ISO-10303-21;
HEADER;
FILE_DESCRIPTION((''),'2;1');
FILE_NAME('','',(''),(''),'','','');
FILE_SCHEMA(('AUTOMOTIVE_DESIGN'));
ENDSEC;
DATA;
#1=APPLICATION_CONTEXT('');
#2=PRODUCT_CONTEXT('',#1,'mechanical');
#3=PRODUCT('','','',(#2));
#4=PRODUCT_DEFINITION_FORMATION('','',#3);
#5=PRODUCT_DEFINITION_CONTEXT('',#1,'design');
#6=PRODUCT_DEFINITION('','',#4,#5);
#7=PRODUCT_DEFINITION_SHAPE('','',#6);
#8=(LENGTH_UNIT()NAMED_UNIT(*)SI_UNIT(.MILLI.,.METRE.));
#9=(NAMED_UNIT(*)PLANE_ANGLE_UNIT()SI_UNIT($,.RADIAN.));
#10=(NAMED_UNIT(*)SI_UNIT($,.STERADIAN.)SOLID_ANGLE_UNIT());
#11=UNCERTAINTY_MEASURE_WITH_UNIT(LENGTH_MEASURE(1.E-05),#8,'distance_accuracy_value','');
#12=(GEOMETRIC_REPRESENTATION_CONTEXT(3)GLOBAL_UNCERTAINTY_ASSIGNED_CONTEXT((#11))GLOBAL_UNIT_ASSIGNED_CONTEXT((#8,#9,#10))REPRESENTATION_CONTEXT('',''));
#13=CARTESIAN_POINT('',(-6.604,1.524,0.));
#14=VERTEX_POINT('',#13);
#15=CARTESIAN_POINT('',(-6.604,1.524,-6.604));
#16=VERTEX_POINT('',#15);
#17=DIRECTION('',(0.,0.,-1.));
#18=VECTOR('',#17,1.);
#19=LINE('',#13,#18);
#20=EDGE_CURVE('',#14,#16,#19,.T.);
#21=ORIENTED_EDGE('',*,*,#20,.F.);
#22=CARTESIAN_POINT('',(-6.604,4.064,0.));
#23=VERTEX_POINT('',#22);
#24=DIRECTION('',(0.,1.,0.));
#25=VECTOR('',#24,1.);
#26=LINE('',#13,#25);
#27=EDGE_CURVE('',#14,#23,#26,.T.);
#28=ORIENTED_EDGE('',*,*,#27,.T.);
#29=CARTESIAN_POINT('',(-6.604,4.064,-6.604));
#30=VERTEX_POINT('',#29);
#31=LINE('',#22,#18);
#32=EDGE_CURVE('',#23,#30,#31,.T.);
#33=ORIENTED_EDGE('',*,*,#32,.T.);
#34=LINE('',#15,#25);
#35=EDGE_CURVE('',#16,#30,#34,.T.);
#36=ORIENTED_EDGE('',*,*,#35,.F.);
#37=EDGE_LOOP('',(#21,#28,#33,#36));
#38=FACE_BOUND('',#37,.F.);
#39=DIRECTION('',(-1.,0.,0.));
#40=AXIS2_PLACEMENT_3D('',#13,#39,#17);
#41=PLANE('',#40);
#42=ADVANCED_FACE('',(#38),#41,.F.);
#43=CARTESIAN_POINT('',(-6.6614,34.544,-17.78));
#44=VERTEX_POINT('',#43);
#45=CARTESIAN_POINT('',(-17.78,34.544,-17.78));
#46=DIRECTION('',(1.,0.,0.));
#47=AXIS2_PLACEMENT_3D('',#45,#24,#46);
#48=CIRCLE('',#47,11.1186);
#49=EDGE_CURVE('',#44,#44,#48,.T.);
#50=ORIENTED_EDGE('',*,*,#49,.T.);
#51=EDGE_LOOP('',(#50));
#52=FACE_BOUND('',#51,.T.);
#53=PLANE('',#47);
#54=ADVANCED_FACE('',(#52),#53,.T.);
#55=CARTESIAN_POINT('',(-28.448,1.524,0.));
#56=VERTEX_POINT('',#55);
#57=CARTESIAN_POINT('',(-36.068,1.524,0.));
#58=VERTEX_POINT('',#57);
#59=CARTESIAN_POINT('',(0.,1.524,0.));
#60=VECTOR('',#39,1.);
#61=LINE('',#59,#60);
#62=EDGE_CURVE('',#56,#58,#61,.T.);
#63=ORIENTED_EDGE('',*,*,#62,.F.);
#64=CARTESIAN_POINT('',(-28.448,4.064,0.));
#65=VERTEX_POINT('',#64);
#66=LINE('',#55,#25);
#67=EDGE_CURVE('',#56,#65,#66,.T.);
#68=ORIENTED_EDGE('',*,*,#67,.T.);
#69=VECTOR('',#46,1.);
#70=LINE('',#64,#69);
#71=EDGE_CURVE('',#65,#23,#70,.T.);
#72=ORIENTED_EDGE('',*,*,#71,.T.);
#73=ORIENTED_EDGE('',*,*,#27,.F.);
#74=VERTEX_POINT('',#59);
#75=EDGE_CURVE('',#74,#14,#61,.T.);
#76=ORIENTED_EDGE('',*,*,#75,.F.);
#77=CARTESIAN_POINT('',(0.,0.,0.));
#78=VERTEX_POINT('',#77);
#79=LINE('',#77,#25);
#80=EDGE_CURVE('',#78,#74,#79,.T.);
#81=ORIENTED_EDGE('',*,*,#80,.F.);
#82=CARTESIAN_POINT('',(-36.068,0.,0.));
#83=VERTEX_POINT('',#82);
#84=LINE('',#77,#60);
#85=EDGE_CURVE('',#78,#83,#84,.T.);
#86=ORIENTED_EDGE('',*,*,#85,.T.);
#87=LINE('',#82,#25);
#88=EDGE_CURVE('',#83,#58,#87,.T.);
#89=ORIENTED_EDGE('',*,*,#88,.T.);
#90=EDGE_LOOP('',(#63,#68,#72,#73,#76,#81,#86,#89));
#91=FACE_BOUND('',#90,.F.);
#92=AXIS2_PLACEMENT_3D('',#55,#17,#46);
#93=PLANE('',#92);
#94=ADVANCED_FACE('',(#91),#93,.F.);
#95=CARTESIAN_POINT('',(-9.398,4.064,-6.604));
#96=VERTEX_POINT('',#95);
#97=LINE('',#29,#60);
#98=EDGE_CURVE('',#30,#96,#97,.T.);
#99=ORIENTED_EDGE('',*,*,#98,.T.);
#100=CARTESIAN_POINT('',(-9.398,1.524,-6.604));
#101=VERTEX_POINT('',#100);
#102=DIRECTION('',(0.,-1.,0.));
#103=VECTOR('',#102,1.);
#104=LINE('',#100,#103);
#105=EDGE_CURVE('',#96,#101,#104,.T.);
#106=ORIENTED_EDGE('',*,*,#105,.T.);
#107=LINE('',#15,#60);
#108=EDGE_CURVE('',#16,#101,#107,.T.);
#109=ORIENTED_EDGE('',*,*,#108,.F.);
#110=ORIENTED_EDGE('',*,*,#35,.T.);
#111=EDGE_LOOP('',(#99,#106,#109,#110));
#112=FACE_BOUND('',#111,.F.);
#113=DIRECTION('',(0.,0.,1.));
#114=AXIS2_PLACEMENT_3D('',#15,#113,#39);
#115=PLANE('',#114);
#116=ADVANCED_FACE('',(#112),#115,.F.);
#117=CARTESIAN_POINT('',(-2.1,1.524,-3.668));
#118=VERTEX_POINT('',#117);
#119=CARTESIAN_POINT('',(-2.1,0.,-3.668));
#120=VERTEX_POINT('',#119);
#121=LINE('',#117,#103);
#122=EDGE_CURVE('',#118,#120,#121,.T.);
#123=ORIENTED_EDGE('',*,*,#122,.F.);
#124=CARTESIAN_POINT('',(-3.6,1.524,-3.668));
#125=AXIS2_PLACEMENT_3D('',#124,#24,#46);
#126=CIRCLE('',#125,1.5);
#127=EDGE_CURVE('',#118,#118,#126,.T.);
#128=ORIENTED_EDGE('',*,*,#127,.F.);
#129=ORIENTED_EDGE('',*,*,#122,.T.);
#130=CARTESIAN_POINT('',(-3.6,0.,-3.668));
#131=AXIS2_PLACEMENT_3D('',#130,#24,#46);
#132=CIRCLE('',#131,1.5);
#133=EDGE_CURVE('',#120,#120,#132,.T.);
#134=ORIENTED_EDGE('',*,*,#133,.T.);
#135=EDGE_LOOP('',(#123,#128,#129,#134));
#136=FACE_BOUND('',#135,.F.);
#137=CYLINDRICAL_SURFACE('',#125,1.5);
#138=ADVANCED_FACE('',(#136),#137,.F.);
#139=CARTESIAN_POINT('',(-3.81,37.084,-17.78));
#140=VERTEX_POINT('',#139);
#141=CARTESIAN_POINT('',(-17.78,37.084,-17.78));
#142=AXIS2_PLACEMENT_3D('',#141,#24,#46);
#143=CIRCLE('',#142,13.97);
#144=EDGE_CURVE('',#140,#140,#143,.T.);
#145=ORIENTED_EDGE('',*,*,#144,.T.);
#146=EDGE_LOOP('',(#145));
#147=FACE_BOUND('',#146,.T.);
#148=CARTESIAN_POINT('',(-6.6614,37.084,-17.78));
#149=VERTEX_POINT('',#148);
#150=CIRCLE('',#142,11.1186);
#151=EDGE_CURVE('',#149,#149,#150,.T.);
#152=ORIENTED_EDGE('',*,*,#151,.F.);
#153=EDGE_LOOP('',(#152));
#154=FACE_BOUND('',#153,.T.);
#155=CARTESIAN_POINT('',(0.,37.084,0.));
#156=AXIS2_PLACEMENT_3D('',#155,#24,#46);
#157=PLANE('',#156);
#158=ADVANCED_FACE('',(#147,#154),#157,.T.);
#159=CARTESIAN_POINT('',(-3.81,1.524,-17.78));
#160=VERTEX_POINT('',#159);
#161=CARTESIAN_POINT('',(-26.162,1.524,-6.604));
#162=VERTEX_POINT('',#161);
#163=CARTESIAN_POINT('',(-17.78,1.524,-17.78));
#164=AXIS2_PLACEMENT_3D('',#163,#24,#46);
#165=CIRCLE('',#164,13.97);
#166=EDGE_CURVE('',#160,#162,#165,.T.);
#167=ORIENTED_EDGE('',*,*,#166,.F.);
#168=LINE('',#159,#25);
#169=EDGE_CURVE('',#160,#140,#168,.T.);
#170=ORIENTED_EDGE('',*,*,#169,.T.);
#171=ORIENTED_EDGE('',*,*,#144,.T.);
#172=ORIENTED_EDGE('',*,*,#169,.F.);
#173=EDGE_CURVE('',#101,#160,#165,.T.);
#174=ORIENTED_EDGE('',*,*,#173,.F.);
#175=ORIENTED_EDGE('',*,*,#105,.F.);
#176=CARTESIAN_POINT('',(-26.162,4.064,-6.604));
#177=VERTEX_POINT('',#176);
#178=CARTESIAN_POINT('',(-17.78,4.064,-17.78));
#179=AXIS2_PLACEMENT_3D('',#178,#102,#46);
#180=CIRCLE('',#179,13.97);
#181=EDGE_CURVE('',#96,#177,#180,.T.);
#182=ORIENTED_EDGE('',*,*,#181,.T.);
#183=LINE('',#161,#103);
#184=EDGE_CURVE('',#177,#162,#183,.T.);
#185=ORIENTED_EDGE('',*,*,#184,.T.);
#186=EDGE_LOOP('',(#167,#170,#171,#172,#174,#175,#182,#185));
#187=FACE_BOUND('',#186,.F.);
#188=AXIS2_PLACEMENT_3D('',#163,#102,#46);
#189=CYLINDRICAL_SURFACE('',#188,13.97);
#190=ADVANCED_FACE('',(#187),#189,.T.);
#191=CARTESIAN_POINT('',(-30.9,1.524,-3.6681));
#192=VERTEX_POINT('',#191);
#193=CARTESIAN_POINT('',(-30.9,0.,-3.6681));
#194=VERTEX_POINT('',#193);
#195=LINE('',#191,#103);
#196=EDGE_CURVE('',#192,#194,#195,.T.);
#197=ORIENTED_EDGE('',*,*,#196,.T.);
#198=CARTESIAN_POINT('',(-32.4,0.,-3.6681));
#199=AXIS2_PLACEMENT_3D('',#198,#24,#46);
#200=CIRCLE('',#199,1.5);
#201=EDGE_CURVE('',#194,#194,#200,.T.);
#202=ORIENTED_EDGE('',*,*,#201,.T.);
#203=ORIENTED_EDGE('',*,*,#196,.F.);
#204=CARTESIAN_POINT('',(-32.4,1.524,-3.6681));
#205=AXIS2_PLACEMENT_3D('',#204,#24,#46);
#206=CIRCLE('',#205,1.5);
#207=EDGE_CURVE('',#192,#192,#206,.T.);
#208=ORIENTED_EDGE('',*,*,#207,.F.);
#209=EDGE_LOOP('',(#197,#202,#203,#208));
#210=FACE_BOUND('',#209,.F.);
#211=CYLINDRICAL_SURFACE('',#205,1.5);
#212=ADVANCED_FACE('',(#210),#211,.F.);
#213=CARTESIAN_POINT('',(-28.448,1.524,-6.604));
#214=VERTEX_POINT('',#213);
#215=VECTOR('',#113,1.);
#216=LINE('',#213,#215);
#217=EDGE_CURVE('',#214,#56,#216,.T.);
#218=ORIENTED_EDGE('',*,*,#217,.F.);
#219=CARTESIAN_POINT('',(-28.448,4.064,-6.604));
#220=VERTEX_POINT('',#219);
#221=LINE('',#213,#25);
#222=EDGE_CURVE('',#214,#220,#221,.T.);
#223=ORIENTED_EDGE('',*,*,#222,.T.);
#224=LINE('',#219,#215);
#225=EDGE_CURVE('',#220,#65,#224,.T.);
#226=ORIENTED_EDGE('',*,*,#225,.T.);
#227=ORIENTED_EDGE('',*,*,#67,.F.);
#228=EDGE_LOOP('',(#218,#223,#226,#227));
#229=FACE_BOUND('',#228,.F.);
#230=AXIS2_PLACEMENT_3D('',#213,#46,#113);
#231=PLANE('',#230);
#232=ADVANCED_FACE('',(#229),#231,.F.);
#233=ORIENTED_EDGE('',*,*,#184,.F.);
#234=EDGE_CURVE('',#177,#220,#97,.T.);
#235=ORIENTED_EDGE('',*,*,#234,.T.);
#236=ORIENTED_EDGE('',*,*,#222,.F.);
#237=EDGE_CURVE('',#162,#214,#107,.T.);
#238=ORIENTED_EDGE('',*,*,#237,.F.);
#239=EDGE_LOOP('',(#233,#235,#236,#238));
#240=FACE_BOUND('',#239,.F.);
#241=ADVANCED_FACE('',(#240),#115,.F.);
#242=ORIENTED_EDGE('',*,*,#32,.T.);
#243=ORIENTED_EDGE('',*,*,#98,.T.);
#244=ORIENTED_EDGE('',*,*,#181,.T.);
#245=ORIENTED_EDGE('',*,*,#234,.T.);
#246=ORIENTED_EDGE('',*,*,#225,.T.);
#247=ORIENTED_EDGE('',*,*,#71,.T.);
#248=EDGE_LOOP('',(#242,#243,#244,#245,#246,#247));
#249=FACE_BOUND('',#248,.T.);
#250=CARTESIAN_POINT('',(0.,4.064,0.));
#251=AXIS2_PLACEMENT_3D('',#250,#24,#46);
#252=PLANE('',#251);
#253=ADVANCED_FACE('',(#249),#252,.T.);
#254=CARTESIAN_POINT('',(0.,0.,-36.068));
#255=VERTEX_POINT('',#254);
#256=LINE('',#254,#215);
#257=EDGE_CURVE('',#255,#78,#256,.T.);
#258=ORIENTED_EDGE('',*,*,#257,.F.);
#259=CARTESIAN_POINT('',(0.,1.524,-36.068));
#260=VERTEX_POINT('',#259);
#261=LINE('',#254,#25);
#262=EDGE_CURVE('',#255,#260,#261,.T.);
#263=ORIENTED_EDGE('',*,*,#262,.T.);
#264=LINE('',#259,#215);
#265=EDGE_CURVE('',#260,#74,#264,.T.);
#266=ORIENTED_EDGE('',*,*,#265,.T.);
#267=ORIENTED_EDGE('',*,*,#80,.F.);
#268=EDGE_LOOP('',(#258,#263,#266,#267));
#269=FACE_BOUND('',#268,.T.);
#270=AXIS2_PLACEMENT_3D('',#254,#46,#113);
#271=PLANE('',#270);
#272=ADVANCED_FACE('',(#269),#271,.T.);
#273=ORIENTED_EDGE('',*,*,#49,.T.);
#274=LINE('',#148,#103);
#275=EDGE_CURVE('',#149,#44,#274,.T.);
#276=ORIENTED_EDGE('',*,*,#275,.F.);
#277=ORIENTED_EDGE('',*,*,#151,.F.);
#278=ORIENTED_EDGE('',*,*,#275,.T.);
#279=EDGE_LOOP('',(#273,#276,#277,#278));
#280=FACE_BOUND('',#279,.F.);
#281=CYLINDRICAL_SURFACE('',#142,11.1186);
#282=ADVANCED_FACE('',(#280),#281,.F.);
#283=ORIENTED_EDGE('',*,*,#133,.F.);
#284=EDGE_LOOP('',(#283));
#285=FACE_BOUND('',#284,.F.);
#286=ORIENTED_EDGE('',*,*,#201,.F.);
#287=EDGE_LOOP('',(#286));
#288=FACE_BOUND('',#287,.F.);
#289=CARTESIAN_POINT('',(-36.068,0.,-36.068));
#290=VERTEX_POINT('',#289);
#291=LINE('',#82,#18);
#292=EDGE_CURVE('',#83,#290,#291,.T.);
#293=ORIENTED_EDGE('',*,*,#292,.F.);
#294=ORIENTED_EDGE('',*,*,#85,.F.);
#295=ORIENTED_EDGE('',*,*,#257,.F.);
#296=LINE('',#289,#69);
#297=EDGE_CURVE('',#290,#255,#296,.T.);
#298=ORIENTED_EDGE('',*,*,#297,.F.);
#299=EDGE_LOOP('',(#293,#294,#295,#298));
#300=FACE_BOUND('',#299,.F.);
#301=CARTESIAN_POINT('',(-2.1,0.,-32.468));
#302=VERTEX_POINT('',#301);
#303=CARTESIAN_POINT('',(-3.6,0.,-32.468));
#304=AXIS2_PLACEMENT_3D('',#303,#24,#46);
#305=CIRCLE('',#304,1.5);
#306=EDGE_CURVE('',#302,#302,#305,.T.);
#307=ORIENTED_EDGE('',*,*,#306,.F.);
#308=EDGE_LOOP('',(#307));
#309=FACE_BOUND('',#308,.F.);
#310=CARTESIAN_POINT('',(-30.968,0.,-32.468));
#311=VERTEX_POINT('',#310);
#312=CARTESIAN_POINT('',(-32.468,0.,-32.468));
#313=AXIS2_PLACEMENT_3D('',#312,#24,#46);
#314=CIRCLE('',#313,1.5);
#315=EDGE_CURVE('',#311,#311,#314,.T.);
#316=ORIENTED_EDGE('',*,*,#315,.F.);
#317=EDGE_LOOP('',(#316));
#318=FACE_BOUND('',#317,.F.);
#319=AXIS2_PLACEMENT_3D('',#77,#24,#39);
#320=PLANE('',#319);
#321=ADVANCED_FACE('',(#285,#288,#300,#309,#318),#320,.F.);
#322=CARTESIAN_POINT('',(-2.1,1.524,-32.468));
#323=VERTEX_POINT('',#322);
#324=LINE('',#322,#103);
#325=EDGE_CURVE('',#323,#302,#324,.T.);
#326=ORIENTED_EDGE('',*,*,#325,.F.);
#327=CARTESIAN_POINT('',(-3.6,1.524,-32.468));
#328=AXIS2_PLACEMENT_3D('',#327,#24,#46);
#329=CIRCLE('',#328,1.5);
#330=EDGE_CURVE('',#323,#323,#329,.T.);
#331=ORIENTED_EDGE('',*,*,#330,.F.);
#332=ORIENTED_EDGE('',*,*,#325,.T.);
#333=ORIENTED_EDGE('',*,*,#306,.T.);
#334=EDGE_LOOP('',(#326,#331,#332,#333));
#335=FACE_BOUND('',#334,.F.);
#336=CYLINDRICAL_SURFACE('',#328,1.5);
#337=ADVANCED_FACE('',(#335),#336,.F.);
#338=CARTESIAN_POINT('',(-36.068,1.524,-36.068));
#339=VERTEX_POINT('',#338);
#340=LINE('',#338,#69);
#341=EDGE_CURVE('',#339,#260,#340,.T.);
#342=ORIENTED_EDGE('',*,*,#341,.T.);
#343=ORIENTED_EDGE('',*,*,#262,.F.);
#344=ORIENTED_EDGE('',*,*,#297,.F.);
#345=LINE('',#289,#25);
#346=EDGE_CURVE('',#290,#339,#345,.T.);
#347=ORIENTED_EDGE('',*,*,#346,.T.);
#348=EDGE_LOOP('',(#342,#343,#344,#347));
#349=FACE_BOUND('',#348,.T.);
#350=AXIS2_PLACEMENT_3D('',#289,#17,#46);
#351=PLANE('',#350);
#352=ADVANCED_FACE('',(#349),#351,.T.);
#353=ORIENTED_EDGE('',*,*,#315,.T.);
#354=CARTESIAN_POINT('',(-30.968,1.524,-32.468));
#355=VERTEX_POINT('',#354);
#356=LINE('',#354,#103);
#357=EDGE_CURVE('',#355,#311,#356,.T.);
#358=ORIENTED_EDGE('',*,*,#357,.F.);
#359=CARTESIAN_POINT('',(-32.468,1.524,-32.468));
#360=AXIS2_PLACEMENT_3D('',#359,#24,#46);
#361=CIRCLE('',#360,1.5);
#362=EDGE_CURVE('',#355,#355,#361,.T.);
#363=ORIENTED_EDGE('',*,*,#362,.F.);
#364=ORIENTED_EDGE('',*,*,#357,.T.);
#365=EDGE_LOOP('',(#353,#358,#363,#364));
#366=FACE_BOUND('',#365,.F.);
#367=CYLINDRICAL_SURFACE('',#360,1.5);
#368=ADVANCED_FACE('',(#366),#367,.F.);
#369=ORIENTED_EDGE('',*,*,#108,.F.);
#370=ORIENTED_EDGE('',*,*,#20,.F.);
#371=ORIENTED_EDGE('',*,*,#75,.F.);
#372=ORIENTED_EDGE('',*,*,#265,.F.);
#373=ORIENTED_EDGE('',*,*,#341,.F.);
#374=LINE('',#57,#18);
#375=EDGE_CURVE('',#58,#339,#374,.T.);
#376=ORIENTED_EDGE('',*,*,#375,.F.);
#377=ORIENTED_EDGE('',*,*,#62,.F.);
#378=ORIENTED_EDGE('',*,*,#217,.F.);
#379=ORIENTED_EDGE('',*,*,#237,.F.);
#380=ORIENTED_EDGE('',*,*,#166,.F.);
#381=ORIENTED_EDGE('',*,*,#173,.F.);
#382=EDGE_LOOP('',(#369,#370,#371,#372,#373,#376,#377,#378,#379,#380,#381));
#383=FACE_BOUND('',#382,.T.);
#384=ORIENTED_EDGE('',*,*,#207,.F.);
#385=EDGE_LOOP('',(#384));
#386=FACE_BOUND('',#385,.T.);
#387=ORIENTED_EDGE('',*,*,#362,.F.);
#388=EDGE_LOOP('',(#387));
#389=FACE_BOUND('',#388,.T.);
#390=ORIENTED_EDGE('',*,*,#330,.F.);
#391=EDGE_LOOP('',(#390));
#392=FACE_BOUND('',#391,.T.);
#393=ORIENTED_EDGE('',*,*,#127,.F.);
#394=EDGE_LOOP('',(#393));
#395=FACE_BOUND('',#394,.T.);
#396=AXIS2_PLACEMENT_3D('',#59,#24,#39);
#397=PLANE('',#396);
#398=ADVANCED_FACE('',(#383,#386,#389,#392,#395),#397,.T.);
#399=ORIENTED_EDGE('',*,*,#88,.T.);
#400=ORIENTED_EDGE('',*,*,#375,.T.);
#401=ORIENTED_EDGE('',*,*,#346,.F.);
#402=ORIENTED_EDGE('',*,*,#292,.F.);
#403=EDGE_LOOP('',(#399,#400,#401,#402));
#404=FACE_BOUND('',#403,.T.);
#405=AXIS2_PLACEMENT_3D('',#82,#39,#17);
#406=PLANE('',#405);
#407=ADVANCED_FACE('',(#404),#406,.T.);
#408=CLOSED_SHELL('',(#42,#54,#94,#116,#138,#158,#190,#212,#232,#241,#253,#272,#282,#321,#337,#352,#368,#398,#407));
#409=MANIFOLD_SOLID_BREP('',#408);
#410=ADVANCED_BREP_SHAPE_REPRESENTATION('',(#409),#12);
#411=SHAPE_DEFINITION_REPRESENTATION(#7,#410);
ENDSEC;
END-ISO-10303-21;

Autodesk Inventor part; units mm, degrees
ref_plane "YZ Plane" through (0, 0, 0) normal (1, 0, 0) x (0, 1, 0)
ref_plane "XZ Plane" through (0, 0, 0) normal (0, 1, 0) x (-1, 0, 0)
ref_plane "XY Plane" through (0, 0, 0) normal (0, 0, 1) x (1, 0, 0)
sketch "Sketch1" plane through (0, 0, 0) normal (0, 1, 0) x (-1, 0, 0)
  line L0 (0, 0) -> (36.068, 0)
  line L1 (36.068, 0) -> (36.068, -36.068)
  line L2 (36.068, -36.068) -> (0, -36.068)
  line L3 (0, -36.068) -> (0, 0)
  dimension "d0" = 36.068
  dimension "d1" = 36.068
extrude "Extrusion1" add sketch "Sketch1" along normal blind 1.524
sketch "Sketch2" plane through (0, 1.524, 0) normal (0, 1, 0) x (1, 0, 0)
  circle A0 centre (-17.78, 17.78) radius 13.97
  line L0 (0, 0) -> (0, 36.068) projected
  line L1 (-36.068, 0) -> (0, 0) projected
  dimension "d4" = 27.94
  dimension "d5" = 17.78
  dimension "d6" = 17.78
extrude "Extrusion2" add sketch "Sketch2" along normal blind 35.56
sketch "Sketch4" plane through (0, 1.524, 0) normal (0, 1, 0) x (1, 0, 0)
  line L0 (-28.448, 0) -> (-6.604, 0)
  line L1 (-6.604, 0) -> (-6.604, 6.604)
  line L2 (-6.604, 6.604) -> (-28.448, 6.604)
  line L3 (-28.448, 6.604) -> (-28.448, 0)
  line L4 (-36.068, 36.068) -> (-36.068, 0) projected
  point P0 (0, 0)
  dimension "d9" = 21.844
  dimension "d10" = 6.604
  dimension "d11" = 7.62
extrude "Extrusion3" add sketch "Sketch4" along normal blind 2.54
sketch "Sketch5" plane through (-17.78, 37.084, -17.78) normal (0, 1, 0) x (1, 0, 0)
  circle A0 centre (0, 0) radius 11.1186
  point P0 (17.78, -17.78)
extrude "Extrusion4" cut sketch "Sketch5" against normal blind 2.54
sketch "Sketch6" plane through (0, 1.524, 0) normal (0, 1, 0) x (1, 0, 0)
  circle A0 centre (-32.4, 3.6681) radius 1.5
  circle A1 centre (-32.468, 32.468) radius 1.5
  circle A2 centre (-3.6, 3.668) radius 1.5
  circle A3 centre (-3.6, 32.468) radius 1.5
  line L0 (0, 36.068) -> (-36.068, 36.068) projected
  line L1 (0, 0) -> (0, 36.068) projected
  line L2 (-36.068, 36.068) -> (-36.068, 0) projected
  dimension "d16" = 3
  dimension "d17" = 3
  dimension "d18" = 3
  dimension "d19" = 3
  dimension "d20" = 28.8
  dimension "d21" = 28.8
  dimension "d22" = 3.6
  dimension "d23" = 3.6
  dimension "d24" = 3.6
  dimension "d25" = 3.6
  dimension "d26" = 3.6
extrude "Extrusion5" cut sketch "Sketch6" against normal up to surface (1.524 mm away)
properties part number "camera"
